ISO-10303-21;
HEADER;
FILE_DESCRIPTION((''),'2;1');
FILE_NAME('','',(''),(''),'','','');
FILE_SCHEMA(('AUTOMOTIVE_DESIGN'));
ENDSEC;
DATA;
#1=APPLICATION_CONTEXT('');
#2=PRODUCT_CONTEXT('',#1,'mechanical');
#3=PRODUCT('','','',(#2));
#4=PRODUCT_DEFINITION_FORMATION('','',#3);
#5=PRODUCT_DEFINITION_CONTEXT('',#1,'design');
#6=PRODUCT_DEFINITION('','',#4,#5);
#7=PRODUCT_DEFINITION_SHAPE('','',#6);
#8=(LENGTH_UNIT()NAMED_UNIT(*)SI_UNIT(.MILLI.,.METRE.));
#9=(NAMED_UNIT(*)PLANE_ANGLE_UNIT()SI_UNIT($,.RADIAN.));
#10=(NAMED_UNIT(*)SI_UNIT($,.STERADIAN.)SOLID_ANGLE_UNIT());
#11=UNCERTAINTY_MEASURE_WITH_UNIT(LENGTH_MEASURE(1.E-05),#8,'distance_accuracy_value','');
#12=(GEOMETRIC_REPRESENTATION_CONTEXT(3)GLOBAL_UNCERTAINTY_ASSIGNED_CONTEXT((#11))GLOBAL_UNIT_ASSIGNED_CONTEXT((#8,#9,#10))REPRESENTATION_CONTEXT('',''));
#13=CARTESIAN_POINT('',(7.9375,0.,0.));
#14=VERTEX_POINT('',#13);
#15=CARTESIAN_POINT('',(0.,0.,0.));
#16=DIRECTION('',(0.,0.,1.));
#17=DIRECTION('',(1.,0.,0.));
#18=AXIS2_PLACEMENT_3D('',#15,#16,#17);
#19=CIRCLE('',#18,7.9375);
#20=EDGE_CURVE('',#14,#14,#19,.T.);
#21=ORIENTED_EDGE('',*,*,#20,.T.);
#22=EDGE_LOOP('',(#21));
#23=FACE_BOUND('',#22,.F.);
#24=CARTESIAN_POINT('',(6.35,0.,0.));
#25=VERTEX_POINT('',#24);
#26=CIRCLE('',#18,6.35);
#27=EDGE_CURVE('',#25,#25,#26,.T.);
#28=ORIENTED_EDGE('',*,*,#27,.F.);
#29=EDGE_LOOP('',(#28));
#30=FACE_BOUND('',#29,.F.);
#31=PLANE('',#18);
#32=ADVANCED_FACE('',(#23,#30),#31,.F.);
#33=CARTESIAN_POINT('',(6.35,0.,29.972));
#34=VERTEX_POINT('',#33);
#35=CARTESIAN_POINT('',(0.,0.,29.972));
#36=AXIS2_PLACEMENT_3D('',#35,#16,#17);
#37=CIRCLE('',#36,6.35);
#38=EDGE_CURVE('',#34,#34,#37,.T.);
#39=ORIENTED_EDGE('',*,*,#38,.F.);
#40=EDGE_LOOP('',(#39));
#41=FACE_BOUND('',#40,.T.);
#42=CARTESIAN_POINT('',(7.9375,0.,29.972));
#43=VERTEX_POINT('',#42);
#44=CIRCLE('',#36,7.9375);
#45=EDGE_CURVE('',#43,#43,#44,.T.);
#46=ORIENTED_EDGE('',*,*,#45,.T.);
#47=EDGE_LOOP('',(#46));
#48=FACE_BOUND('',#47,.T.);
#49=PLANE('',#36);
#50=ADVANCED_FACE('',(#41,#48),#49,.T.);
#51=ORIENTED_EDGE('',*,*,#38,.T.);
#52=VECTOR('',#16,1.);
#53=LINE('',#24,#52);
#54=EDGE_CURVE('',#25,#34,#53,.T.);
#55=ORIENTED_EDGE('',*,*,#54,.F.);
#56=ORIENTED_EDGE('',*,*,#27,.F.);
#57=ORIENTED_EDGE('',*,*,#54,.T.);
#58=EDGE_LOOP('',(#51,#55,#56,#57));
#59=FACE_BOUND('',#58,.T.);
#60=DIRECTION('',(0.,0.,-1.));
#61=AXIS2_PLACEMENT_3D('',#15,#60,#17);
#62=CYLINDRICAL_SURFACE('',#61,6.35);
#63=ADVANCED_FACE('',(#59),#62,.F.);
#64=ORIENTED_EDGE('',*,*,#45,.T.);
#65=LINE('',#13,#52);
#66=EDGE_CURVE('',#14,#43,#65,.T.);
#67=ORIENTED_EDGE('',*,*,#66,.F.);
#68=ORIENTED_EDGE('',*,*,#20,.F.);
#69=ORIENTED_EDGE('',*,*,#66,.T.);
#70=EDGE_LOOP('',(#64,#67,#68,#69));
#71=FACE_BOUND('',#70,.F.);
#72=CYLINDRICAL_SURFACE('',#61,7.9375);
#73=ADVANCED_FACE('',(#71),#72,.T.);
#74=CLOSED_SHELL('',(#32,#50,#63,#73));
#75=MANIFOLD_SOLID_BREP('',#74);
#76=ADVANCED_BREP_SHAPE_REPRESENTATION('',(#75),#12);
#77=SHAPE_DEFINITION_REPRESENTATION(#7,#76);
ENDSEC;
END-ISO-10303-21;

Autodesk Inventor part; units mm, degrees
ref_plane "YZ Plane" through (0, 0, 0) normal (1, 0, 0) x (0, 1, 0)
ref_plane "XZ Plane" through (0, 0, 0) normal (0, 1, 0) x (-1, 0, 0)
ref_plane "XY Plane" through (0, 0, 0) normal (0, 0, 1) x (1, 0, 0)
sketch "Sketch1" plane through (0, 0, 0) normal (0, 0, 1) x (1, 0, 0)
  circle A0 centre (0, 0) radius 6.35
  circle A1 centre (0, 0) radius 7.9375
  dimension "d0" = 12.7
  dimension "d1" = 15.875
extrude "Extrusion1" add sketch "Sketch1" along normal blind 29.972
properties part number "PVC pipe spacer front wheels" material "PVC-Piping"
